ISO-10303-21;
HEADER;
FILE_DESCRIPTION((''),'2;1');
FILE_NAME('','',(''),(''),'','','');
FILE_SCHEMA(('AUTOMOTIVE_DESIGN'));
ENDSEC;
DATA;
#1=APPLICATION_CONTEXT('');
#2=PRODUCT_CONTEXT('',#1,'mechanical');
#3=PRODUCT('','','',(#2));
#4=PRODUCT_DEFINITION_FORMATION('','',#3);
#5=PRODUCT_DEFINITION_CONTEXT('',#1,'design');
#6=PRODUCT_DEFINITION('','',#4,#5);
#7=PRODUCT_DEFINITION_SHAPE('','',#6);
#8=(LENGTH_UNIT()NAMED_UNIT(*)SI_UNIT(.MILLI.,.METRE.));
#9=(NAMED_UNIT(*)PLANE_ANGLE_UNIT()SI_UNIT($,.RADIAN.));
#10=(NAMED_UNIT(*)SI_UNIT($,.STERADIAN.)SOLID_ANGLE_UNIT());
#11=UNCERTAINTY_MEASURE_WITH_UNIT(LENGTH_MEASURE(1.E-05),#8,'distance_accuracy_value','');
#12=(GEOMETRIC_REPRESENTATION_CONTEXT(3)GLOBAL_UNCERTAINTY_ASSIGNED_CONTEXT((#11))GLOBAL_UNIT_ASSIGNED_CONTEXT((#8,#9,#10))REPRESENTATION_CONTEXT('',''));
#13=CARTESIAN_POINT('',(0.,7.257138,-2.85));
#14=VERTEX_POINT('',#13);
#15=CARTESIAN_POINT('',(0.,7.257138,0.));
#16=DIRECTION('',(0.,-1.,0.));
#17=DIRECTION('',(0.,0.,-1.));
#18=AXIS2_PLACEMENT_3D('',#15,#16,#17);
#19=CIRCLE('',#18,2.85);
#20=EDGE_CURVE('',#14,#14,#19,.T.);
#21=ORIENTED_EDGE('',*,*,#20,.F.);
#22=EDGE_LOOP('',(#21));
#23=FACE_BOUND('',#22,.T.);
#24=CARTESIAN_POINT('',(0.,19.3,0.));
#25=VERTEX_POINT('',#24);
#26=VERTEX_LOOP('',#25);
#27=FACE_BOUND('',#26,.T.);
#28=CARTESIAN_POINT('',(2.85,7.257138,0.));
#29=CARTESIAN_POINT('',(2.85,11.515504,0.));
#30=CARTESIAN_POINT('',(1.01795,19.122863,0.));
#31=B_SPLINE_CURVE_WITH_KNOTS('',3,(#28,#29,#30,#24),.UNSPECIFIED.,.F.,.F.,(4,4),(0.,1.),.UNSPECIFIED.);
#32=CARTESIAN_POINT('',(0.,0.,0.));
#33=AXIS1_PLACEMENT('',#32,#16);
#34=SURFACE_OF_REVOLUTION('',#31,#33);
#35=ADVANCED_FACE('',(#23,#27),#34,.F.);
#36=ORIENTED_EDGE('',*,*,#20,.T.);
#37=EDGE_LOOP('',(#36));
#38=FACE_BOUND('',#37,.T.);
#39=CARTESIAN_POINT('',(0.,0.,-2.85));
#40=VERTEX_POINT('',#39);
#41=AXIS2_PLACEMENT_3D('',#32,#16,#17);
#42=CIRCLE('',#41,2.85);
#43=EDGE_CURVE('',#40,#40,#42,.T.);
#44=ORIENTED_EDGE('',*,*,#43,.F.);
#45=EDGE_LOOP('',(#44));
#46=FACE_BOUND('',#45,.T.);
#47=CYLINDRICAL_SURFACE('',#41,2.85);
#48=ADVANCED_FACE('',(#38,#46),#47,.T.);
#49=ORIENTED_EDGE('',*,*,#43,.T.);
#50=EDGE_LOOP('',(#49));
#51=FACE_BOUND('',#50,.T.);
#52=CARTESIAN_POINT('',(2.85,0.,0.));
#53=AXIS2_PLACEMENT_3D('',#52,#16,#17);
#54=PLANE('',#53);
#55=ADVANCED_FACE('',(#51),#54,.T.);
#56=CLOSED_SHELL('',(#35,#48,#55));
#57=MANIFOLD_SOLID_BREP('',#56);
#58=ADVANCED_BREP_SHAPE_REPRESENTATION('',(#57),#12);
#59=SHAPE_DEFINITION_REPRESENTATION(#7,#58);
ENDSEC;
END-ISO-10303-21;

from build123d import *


with BuildPart() as part:
    # Sketch2 → Revolve1 (revolve)
    with BuildSketch(Plane.XY, mode=Mode.PRIVATE) as revolve1_sk:
        with BuildLine():
            Line((2.85, 0), (2.85, 7.257137991))
            add(Edge.make_bspline(
                [(0, 19.3), (1.017950029, 19.122863414), (2.85, 11.515503532), (2.85, 7.257137991)],
                knots=[0, 0, 0, 0, 1, 1, 1, 1], degree=3))
            Line((0, 19.3), (0, 0))
            Line((0, 0), (2.85, 0))
        make_face()
    revolve(revolve1_sk.sketch.rotate(Axis((0, 0, 0), (0, 1, 0)), 90), axis=Axis((0, 0, 0), (0, 1, 0)))


solid = part.part
